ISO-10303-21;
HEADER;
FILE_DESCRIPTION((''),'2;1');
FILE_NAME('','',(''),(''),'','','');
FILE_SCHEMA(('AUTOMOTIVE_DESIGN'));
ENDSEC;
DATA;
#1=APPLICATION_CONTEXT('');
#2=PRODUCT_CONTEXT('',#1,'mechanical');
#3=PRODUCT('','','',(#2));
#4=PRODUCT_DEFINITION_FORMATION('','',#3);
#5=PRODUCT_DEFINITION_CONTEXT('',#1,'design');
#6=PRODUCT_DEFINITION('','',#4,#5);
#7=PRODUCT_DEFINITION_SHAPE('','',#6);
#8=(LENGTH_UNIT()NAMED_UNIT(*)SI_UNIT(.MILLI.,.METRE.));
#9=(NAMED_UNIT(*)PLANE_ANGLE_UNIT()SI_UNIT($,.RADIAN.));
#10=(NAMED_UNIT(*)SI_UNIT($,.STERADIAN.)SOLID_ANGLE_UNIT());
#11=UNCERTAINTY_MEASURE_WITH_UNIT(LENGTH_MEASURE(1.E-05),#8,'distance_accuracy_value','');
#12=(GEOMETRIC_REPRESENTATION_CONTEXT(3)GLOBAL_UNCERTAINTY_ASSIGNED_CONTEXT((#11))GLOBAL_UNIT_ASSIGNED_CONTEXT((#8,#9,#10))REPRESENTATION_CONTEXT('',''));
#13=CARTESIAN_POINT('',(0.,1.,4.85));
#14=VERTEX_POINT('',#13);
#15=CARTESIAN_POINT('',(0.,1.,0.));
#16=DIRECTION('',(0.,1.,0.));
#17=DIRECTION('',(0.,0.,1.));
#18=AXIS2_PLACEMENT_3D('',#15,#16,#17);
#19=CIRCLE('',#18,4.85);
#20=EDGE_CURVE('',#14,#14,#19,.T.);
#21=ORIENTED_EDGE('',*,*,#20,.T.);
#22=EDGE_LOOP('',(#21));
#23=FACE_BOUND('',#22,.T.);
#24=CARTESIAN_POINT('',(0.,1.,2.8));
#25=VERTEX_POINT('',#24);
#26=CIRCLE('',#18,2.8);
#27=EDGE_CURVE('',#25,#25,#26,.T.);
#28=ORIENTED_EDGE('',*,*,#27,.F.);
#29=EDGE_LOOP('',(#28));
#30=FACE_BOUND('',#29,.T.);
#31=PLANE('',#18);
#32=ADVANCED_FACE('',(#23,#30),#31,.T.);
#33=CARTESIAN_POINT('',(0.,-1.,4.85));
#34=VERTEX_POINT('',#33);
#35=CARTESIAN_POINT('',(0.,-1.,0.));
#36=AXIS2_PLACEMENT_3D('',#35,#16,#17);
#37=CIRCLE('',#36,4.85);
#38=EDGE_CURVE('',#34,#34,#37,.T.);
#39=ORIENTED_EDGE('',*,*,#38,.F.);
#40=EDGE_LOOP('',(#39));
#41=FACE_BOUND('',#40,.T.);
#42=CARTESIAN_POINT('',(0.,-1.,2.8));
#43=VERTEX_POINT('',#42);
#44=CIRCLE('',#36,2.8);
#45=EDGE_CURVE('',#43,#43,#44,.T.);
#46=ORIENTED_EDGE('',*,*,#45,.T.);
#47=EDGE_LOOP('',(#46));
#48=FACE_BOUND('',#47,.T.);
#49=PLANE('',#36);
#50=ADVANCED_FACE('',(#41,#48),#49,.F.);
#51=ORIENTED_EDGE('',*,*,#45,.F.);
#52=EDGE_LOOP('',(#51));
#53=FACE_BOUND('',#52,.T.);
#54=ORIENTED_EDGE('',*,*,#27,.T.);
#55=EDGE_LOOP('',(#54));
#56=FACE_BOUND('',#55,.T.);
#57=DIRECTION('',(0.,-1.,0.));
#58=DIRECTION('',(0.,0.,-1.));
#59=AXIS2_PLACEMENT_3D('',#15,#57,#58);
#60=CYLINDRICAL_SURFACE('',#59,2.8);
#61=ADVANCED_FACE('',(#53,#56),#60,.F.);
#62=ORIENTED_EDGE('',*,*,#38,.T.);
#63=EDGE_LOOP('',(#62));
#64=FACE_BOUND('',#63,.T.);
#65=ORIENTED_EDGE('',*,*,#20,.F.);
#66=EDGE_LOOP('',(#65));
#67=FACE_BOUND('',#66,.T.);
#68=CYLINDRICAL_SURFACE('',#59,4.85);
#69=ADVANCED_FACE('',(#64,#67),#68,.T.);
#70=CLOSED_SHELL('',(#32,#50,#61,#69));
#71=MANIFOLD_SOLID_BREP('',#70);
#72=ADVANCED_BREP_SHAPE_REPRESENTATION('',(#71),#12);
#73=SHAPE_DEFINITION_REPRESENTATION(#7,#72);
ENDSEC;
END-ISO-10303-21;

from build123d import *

# Parameters (mm, degrees)
O_RING_START = -1
SKETCH1_R    = 4.85
SKETCH1_R_2  = 2.8
O_RING_DEPTH = 2


with BuildPart() as part:
    # Sketch1 → O_Ring (new body)
    with BuildSketch(Plane(origin=(0, 0, 0), x_dir=(1, 0, 0), z_dir=(0, 1, 0)).offset(O_RING_START)):
        with Locations(Location((0, 0, 0), (0, 0, 270))):
            Circle(SKETCH1_R)
        with Locations(Location((0, 0, 0), (0, 0, 270))):
            Circle(SKETCH1_R_2, mode=Mode.SUBTRACT)
    extrude(amount=O_RING_DEPTH)


solid = part.part
